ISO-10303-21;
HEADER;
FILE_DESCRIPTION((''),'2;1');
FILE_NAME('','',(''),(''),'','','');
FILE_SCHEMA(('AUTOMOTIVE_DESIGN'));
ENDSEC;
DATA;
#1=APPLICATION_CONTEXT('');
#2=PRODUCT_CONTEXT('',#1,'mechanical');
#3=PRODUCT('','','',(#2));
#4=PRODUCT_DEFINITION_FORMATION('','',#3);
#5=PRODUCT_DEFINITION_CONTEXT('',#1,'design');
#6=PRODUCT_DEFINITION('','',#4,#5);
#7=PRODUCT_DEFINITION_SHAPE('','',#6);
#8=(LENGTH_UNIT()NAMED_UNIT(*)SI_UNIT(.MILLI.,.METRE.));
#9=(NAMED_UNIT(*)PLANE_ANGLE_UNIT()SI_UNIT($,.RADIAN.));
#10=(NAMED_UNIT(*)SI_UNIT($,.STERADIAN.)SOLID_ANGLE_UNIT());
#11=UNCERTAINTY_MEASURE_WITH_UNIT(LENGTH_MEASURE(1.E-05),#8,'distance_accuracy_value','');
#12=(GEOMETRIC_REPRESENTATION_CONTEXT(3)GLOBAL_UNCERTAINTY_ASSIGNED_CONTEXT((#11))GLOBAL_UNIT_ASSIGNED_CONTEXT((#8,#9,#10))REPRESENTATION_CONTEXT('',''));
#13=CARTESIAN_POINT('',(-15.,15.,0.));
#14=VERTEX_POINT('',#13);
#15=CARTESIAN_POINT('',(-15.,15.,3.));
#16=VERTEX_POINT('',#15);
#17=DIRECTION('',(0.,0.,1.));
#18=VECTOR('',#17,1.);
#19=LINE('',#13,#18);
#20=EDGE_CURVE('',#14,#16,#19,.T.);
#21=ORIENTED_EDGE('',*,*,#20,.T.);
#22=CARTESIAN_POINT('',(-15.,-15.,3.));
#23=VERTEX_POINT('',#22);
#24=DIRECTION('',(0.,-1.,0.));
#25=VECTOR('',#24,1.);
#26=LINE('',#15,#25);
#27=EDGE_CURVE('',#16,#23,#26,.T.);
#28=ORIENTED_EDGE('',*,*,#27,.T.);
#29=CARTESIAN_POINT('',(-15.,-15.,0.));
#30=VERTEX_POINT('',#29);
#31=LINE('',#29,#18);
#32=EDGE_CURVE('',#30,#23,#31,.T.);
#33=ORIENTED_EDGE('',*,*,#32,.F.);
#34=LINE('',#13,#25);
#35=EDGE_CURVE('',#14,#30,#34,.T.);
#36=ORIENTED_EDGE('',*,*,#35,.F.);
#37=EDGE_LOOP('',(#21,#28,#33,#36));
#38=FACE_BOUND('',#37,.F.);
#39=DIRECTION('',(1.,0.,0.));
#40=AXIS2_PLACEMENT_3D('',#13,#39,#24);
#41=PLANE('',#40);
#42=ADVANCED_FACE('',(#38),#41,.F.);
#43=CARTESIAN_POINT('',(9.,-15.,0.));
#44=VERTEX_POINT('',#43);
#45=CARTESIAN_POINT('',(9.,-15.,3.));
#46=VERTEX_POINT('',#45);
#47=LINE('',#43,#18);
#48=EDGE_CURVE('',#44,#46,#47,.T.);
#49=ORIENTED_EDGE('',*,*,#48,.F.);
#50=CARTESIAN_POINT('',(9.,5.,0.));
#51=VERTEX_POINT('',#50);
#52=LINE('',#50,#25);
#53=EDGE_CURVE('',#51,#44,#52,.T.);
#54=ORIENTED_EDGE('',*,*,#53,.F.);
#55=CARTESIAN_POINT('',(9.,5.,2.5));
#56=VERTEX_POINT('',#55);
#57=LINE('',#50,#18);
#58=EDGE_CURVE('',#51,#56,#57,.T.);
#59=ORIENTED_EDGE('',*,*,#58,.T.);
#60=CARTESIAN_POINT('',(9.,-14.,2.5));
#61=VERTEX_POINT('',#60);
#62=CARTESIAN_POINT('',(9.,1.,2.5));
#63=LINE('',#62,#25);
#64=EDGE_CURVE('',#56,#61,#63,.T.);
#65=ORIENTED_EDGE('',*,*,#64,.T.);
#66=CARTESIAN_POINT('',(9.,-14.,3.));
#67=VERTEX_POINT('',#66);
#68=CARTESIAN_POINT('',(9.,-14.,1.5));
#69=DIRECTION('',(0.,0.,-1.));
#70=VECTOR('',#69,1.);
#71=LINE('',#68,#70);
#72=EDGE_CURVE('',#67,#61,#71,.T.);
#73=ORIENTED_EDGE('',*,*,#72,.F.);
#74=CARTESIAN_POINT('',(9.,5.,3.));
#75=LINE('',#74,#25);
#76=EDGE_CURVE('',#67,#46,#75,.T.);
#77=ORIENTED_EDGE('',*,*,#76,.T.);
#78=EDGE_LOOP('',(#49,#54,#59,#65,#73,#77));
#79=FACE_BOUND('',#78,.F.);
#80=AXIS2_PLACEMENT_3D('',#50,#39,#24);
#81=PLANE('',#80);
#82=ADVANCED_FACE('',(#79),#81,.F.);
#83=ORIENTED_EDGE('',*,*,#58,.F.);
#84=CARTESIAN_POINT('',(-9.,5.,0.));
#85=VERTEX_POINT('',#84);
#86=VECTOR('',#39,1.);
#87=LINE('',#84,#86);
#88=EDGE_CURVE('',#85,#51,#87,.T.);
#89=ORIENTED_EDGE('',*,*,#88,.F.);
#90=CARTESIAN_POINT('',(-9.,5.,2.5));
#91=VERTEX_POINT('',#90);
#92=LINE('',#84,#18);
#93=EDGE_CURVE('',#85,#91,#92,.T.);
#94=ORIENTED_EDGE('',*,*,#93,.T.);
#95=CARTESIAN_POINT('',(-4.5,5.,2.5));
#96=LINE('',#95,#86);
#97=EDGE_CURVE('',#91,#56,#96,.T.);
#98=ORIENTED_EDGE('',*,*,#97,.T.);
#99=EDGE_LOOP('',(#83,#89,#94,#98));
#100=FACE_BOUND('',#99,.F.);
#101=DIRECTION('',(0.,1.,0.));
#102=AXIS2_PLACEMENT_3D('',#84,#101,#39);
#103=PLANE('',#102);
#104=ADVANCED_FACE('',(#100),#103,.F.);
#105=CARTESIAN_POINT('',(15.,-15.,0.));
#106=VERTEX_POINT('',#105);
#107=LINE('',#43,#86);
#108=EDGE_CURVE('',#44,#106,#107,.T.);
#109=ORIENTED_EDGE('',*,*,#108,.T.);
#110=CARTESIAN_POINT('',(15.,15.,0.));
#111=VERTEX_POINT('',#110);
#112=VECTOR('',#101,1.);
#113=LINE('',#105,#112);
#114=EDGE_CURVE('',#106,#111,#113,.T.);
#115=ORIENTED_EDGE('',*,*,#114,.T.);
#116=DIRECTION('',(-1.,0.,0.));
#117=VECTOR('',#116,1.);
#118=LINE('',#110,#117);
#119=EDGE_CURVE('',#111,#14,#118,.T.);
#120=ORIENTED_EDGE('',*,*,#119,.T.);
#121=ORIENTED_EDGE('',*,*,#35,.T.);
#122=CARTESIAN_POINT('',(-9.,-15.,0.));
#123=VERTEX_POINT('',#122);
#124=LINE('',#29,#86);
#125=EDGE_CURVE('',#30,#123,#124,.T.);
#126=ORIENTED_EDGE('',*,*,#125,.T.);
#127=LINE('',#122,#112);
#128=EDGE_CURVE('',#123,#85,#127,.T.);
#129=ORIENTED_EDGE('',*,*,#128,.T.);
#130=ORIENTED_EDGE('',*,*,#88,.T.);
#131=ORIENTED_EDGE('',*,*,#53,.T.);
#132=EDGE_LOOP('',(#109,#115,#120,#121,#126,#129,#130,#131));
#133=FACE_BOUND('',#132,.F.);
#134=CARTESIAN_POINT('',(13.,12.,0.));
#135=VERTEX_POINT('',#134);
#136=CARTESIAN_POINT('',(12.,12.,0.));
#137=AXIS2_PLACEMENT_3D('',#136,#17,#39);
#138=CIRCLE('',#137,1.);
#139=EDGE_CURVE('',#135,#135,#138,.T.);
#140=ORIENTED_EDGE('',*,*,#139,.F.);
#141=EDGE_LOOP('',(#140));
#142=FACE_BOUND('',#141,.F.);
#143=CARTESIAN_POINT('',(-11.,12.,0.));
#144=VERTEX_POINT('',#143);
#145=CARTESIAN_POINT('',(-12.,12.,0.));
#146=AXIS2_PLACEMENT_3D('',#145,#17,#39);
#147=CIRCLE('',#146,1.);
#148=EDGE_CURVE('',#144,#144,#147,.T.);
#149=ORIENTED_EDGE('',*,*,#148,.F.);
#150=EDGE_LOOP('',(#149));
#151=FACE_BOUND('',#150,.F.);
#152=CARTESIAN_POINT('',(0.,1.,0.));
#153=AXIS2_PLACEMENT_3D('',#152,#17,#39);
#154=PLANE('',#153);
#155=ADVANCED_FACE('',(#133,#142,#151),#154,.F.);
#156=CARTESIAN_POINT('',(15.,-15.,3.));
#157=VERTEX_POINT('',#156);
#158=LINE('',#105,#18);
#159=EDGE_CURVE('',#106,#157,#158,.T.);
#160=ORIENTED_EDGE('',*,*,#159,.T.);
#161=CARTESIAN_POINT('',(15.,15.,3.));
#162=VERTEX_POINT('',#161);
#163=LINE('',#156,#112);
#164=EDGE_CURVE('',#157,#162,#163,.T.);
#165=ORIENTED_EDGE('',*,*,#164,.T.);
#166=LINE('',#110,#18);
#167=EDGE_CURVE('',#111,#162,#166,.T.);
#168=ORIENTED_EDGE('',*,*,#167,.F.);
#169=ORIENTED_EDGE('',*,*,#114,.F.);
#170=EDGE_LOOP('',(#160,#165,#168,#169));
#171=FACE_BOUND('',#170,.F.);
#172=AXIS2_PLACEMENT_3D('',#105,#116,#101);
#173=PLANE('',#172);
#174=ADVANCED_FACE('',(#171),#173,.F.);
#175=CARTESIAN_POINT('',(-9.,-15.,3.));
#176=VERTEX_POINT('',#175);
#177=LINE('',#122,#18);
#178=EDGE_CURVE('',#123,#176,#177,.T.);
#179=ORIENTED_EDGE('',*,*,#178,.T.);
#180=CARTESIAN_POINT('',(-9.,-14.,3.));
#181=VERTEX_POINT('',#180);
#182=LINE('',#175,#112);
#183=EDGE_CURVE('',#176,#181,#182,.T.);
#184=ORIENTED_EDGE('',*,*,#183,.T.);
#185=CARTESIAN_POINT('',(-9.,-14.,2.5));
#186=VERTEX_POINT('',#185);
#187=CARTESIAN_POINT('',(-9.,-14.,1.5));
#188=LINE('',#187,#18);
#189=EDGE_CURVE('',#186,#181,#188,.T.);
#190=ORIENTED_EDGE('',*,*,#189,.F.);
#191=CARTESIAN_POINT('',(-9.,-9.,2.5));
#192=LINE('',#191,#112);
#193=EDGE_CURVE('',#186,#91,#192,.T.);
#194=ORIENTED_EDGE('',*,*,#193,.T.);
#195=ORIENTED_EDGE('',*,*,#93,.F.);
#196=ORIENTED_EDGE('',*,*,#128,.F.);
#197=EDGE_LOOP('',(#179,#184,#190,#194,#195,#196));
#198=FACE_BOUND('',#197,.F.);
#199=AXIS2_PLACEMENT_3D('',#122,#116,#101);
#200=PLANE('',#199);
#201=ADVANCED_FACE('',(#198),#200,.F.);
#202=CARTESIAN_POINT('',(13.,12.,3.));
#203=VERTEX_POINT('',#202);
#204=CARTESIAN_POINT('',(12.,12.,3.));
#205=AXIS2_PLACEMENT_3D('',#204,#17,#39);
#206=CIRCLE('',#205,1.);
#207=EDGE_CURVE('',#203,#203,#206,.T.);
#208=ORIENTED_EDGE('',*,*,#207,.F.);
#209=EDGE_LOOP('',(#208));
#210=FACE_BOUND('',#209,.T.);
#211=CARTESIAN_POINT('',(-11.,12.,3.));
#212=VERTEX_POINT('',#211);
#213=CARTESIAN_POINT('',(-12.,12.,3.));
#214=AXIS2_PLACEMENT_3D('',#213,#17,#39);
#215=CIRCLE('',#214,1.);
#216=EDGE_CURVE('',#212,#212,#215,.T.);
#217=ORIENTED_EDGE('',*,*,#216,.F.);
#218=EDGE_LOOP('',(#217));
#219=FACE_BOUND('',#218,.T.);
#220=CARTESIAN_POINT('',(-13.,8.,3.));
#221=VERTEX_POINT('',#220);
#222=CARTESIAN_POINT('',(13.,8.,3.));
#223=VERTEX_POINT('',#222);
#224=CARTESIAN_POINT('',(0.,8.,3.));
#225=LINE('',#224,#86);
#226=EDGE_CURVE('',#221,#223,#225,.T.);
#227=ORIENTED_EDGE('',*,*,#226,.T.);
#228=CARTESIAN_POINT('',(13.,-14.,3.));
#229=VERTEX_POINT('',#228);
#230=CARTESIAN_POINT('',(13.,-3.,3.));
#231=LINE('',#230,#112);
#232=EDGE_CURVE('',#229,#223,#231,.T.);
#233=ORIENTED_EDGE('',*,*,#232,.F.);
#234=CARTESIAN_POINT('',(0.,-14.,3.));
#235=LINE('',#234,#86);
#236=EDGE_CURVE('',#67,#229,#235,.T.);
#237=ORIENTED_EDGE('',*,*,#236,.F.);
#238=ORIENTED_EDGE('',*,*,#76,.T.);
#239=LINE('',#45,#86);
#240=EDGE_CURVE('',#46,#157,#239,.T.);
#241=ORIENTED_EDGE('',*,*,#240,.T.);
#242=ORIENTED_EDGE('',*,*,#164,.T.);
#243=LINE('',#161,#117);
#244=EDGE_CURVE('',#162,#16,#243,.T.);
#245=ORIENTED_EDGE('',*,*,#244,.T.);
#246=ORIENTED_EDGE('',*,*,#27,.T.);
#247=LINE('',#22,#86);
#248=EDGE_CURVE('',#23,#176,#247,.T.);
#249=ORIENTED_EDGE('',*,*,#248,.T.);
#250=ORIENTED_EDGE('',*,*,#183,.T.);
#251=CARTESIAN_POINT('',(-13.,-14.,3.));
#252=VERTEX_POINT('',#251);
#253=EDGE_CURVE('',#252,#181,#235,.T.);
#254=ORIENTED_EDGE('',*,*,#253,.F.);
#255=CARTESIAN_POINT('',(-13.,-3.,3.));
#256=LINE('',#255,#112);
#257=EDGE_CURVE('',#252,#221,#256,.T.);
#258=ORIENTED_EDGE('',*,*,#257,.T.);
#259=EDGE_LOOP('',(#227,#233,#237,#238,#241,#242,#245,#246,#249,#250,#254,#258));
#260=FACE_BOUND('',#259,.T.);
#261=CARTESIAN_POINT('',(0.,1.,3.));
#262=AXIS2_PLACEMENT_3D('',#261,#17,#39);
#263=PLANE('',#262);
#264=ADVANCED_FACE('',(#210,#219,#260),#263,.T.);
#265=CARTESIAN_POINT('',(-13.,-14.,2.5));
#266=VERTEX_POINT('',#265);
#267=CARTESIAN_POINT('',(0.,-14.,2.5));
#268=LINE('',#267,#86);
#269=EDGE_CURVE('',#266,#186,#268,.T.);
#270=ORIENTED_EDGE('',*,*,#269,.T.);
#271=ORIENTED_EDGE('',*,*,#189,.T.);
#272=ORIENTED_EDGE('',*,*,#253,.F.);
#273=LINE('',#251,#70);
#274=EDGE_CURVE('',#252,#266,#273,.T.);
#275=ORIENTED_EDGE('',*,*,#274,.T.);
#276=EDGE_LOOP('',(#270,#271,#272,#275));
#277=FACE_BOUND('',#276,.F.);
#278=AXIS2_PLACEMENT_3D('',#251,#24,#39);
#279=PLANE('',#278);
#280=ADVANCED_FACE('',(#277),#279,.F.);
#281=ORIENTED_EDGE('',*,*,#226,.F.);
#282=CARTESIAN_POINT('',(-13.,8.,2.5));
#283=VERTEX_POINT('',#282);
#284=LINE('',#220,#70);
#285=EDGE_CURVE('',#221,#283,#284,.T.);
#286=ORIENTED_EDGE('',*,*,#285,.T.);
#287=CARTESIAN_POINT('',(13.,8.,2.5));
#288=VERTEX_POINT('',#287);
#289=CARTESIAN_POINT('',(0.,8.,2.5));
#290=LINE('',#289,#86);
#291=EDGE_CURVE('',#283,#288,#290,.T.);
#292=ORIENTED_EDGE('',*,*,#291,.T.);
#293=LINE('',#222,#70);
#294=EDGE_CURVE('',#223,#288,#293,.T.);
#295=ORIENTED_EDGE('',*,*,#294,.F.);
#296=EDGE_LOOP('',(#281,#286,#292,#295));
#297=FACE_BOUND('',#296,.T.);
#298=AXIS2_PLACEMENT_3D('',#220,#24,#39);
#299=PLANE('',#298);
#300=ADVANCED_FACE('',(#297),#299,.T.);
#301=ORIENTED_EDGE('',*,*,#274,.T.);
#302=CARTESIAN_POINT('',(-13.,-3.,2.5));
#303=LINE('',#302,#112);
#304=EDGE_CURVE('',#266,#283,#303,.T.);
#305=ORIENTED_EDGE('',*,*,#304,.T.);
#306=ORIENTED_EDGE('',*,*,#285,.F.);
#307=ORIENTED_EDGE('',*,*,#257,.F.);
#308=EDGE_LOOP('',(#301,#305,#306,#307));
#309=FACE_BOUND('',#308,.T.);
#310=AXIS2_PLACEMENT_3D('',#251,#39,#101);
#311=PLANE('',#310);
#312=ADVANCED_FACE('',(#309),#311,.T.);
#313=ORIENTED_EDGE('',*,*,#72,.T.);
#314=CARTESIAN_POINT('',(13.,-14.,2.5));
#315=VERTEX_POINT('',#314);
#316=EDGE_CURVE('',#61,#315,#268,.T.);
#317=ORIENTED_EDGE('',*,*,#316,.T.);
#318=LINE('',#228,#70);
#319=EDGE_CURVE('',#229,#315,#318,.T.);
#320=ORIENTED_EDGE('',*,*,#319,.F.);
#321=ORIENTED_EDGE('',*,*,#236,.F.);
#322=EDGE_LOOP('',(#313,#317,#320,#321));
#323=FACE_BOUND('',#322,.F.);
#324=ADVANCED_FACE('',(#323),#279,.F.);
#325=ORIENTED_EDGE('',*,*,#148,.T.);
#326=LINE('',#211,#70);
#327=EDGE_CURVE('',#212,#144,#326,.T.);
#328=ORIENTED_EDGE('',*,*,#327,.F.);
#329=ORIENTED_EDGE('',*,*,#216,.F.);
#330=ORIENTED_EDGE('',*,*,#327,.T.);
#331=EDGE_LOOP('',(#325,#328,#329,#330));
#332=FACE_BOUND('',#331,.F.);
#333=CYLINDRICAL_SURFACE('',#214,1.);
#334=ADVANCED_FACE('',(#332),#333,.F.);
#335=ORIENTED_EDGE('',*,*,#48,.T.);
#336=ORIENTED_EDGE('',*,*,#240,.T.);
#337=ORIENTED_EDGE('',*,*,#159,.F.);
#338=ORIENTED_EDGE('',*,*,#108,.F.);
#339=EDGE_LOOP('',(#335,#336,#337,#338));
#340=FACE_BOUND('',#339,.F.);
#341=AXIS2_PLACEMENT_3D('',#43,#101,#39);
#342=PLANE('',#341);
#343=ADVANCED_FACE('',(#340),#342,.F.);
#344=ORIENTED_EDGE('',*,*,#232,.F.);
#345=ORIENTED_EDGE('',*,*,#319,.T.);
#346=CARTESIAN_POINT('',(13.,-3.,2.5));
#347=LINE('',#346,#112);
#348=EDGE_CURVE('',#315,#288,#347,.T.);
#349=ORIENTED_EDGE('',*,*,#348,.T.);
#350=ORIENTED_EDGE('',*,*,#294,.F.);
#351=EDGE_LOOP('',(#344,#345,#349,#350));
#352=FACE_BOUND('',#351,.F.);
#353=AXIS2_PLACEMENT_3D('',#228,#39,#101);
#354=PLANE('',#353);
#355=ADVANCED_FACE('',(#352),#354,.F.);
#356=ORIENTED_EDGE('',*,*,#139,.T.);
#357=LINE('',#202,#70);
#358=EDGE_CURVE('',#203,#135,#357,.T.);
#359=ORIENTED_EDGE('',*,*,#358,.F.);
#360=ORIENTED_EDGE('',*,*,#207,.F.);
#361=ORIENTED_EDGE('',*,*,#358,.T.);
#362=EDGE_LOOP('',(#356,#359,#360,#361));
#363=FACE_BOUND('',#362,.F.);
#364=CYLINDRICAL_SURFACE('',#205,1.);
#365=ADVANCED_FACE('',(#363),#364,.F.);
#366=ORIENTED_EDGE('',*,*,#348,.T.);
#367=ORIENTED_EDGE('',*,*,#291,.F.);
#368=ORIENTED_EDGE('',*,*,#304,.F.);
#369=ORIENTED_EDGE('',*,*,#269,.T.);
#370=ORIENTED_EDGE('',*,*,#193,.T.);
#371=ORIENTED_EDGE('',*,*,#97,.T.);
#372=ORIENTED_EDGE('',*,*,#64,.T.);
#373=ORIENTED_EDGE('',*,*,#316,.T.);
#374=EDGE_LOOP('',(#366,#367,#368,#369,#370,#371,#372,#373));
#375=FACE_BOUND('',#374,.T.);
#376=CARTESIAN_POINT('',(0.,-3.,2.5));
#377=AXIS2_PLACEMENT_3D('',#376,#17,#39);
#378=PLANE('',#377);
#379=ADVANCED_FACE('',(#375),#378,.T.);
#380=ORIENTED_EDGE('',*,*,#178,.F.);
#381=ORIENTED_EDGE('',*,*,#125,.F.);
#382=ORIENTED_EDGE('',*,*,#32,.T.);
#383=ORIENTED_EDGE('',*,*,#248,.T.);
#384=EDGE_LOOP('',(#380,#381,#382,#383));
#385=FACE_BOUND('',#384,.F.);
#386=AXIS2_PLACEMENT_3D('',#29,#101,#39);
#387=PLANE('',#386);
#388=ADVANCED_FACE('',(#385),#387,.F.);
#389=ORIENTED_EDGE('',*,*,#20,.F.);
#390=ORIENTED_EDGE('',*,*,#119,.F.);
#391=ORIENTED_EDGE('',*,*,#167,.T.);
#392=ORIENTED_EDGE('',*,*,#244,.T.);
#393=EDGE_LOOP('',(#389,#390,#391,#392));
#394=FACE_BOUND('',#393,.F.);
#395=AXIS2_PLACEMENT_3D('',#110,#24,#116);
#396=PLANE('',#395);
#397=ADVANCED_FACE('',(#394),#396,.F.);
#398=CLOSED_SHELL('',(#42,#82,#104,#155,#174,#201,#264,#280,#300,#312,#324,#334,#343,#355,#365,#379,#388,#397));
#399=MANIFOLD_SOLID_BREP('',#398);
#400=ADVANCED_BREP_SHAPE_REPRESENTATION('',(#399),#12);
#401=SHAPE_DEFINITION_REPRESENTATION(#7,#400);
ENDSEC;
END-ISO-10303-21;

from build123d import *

# Parameters (mm, degrees)
PAD_DEPTH       = 3
SKETCH001_R     = 1
POCKET_DEPTH    = 3
SKETCH002_W     = 26
SKETCH002_H     = 22
POCKET001_DEPTH = 0.5


with BuildPart() as part:
    # Sketch → Pad (new body)
    with BuildSketch(Plane.XY):
        Polygon((15, -15), (15, 15), (-15, 15), (-15, -15), (-9, -15), (-9, 5), (9, 5), (9, -15), align=None)
    extrude(amount=PAD_DEPTH)

    # Sketch001 (on Face10 of Pad) → Pocket (cut)
    with BuildSketch(Plane.XY.offset(3)):
        with Locations((-12, 12)):
            Circle(SKETCH001_R)
        with Locations((12, 12)):
            Circle(SKETCH001_R)
    extrude(amount=-POCKET_DEPTH, mode=Mode.SUBTRACT)

    # Sketch002 (on Face5 of Pocket) → Pocket001 (cut)
    with BuildSketch(Plane.XY.offset(3)):
        with Locations((0, -3)):
            Rectangle(SKETCH002_W, SKETCH002_H)
    extrude(amount=-POCKET001_DEPTH, mode=Mode.SUBTRACT)


solid = part.part
